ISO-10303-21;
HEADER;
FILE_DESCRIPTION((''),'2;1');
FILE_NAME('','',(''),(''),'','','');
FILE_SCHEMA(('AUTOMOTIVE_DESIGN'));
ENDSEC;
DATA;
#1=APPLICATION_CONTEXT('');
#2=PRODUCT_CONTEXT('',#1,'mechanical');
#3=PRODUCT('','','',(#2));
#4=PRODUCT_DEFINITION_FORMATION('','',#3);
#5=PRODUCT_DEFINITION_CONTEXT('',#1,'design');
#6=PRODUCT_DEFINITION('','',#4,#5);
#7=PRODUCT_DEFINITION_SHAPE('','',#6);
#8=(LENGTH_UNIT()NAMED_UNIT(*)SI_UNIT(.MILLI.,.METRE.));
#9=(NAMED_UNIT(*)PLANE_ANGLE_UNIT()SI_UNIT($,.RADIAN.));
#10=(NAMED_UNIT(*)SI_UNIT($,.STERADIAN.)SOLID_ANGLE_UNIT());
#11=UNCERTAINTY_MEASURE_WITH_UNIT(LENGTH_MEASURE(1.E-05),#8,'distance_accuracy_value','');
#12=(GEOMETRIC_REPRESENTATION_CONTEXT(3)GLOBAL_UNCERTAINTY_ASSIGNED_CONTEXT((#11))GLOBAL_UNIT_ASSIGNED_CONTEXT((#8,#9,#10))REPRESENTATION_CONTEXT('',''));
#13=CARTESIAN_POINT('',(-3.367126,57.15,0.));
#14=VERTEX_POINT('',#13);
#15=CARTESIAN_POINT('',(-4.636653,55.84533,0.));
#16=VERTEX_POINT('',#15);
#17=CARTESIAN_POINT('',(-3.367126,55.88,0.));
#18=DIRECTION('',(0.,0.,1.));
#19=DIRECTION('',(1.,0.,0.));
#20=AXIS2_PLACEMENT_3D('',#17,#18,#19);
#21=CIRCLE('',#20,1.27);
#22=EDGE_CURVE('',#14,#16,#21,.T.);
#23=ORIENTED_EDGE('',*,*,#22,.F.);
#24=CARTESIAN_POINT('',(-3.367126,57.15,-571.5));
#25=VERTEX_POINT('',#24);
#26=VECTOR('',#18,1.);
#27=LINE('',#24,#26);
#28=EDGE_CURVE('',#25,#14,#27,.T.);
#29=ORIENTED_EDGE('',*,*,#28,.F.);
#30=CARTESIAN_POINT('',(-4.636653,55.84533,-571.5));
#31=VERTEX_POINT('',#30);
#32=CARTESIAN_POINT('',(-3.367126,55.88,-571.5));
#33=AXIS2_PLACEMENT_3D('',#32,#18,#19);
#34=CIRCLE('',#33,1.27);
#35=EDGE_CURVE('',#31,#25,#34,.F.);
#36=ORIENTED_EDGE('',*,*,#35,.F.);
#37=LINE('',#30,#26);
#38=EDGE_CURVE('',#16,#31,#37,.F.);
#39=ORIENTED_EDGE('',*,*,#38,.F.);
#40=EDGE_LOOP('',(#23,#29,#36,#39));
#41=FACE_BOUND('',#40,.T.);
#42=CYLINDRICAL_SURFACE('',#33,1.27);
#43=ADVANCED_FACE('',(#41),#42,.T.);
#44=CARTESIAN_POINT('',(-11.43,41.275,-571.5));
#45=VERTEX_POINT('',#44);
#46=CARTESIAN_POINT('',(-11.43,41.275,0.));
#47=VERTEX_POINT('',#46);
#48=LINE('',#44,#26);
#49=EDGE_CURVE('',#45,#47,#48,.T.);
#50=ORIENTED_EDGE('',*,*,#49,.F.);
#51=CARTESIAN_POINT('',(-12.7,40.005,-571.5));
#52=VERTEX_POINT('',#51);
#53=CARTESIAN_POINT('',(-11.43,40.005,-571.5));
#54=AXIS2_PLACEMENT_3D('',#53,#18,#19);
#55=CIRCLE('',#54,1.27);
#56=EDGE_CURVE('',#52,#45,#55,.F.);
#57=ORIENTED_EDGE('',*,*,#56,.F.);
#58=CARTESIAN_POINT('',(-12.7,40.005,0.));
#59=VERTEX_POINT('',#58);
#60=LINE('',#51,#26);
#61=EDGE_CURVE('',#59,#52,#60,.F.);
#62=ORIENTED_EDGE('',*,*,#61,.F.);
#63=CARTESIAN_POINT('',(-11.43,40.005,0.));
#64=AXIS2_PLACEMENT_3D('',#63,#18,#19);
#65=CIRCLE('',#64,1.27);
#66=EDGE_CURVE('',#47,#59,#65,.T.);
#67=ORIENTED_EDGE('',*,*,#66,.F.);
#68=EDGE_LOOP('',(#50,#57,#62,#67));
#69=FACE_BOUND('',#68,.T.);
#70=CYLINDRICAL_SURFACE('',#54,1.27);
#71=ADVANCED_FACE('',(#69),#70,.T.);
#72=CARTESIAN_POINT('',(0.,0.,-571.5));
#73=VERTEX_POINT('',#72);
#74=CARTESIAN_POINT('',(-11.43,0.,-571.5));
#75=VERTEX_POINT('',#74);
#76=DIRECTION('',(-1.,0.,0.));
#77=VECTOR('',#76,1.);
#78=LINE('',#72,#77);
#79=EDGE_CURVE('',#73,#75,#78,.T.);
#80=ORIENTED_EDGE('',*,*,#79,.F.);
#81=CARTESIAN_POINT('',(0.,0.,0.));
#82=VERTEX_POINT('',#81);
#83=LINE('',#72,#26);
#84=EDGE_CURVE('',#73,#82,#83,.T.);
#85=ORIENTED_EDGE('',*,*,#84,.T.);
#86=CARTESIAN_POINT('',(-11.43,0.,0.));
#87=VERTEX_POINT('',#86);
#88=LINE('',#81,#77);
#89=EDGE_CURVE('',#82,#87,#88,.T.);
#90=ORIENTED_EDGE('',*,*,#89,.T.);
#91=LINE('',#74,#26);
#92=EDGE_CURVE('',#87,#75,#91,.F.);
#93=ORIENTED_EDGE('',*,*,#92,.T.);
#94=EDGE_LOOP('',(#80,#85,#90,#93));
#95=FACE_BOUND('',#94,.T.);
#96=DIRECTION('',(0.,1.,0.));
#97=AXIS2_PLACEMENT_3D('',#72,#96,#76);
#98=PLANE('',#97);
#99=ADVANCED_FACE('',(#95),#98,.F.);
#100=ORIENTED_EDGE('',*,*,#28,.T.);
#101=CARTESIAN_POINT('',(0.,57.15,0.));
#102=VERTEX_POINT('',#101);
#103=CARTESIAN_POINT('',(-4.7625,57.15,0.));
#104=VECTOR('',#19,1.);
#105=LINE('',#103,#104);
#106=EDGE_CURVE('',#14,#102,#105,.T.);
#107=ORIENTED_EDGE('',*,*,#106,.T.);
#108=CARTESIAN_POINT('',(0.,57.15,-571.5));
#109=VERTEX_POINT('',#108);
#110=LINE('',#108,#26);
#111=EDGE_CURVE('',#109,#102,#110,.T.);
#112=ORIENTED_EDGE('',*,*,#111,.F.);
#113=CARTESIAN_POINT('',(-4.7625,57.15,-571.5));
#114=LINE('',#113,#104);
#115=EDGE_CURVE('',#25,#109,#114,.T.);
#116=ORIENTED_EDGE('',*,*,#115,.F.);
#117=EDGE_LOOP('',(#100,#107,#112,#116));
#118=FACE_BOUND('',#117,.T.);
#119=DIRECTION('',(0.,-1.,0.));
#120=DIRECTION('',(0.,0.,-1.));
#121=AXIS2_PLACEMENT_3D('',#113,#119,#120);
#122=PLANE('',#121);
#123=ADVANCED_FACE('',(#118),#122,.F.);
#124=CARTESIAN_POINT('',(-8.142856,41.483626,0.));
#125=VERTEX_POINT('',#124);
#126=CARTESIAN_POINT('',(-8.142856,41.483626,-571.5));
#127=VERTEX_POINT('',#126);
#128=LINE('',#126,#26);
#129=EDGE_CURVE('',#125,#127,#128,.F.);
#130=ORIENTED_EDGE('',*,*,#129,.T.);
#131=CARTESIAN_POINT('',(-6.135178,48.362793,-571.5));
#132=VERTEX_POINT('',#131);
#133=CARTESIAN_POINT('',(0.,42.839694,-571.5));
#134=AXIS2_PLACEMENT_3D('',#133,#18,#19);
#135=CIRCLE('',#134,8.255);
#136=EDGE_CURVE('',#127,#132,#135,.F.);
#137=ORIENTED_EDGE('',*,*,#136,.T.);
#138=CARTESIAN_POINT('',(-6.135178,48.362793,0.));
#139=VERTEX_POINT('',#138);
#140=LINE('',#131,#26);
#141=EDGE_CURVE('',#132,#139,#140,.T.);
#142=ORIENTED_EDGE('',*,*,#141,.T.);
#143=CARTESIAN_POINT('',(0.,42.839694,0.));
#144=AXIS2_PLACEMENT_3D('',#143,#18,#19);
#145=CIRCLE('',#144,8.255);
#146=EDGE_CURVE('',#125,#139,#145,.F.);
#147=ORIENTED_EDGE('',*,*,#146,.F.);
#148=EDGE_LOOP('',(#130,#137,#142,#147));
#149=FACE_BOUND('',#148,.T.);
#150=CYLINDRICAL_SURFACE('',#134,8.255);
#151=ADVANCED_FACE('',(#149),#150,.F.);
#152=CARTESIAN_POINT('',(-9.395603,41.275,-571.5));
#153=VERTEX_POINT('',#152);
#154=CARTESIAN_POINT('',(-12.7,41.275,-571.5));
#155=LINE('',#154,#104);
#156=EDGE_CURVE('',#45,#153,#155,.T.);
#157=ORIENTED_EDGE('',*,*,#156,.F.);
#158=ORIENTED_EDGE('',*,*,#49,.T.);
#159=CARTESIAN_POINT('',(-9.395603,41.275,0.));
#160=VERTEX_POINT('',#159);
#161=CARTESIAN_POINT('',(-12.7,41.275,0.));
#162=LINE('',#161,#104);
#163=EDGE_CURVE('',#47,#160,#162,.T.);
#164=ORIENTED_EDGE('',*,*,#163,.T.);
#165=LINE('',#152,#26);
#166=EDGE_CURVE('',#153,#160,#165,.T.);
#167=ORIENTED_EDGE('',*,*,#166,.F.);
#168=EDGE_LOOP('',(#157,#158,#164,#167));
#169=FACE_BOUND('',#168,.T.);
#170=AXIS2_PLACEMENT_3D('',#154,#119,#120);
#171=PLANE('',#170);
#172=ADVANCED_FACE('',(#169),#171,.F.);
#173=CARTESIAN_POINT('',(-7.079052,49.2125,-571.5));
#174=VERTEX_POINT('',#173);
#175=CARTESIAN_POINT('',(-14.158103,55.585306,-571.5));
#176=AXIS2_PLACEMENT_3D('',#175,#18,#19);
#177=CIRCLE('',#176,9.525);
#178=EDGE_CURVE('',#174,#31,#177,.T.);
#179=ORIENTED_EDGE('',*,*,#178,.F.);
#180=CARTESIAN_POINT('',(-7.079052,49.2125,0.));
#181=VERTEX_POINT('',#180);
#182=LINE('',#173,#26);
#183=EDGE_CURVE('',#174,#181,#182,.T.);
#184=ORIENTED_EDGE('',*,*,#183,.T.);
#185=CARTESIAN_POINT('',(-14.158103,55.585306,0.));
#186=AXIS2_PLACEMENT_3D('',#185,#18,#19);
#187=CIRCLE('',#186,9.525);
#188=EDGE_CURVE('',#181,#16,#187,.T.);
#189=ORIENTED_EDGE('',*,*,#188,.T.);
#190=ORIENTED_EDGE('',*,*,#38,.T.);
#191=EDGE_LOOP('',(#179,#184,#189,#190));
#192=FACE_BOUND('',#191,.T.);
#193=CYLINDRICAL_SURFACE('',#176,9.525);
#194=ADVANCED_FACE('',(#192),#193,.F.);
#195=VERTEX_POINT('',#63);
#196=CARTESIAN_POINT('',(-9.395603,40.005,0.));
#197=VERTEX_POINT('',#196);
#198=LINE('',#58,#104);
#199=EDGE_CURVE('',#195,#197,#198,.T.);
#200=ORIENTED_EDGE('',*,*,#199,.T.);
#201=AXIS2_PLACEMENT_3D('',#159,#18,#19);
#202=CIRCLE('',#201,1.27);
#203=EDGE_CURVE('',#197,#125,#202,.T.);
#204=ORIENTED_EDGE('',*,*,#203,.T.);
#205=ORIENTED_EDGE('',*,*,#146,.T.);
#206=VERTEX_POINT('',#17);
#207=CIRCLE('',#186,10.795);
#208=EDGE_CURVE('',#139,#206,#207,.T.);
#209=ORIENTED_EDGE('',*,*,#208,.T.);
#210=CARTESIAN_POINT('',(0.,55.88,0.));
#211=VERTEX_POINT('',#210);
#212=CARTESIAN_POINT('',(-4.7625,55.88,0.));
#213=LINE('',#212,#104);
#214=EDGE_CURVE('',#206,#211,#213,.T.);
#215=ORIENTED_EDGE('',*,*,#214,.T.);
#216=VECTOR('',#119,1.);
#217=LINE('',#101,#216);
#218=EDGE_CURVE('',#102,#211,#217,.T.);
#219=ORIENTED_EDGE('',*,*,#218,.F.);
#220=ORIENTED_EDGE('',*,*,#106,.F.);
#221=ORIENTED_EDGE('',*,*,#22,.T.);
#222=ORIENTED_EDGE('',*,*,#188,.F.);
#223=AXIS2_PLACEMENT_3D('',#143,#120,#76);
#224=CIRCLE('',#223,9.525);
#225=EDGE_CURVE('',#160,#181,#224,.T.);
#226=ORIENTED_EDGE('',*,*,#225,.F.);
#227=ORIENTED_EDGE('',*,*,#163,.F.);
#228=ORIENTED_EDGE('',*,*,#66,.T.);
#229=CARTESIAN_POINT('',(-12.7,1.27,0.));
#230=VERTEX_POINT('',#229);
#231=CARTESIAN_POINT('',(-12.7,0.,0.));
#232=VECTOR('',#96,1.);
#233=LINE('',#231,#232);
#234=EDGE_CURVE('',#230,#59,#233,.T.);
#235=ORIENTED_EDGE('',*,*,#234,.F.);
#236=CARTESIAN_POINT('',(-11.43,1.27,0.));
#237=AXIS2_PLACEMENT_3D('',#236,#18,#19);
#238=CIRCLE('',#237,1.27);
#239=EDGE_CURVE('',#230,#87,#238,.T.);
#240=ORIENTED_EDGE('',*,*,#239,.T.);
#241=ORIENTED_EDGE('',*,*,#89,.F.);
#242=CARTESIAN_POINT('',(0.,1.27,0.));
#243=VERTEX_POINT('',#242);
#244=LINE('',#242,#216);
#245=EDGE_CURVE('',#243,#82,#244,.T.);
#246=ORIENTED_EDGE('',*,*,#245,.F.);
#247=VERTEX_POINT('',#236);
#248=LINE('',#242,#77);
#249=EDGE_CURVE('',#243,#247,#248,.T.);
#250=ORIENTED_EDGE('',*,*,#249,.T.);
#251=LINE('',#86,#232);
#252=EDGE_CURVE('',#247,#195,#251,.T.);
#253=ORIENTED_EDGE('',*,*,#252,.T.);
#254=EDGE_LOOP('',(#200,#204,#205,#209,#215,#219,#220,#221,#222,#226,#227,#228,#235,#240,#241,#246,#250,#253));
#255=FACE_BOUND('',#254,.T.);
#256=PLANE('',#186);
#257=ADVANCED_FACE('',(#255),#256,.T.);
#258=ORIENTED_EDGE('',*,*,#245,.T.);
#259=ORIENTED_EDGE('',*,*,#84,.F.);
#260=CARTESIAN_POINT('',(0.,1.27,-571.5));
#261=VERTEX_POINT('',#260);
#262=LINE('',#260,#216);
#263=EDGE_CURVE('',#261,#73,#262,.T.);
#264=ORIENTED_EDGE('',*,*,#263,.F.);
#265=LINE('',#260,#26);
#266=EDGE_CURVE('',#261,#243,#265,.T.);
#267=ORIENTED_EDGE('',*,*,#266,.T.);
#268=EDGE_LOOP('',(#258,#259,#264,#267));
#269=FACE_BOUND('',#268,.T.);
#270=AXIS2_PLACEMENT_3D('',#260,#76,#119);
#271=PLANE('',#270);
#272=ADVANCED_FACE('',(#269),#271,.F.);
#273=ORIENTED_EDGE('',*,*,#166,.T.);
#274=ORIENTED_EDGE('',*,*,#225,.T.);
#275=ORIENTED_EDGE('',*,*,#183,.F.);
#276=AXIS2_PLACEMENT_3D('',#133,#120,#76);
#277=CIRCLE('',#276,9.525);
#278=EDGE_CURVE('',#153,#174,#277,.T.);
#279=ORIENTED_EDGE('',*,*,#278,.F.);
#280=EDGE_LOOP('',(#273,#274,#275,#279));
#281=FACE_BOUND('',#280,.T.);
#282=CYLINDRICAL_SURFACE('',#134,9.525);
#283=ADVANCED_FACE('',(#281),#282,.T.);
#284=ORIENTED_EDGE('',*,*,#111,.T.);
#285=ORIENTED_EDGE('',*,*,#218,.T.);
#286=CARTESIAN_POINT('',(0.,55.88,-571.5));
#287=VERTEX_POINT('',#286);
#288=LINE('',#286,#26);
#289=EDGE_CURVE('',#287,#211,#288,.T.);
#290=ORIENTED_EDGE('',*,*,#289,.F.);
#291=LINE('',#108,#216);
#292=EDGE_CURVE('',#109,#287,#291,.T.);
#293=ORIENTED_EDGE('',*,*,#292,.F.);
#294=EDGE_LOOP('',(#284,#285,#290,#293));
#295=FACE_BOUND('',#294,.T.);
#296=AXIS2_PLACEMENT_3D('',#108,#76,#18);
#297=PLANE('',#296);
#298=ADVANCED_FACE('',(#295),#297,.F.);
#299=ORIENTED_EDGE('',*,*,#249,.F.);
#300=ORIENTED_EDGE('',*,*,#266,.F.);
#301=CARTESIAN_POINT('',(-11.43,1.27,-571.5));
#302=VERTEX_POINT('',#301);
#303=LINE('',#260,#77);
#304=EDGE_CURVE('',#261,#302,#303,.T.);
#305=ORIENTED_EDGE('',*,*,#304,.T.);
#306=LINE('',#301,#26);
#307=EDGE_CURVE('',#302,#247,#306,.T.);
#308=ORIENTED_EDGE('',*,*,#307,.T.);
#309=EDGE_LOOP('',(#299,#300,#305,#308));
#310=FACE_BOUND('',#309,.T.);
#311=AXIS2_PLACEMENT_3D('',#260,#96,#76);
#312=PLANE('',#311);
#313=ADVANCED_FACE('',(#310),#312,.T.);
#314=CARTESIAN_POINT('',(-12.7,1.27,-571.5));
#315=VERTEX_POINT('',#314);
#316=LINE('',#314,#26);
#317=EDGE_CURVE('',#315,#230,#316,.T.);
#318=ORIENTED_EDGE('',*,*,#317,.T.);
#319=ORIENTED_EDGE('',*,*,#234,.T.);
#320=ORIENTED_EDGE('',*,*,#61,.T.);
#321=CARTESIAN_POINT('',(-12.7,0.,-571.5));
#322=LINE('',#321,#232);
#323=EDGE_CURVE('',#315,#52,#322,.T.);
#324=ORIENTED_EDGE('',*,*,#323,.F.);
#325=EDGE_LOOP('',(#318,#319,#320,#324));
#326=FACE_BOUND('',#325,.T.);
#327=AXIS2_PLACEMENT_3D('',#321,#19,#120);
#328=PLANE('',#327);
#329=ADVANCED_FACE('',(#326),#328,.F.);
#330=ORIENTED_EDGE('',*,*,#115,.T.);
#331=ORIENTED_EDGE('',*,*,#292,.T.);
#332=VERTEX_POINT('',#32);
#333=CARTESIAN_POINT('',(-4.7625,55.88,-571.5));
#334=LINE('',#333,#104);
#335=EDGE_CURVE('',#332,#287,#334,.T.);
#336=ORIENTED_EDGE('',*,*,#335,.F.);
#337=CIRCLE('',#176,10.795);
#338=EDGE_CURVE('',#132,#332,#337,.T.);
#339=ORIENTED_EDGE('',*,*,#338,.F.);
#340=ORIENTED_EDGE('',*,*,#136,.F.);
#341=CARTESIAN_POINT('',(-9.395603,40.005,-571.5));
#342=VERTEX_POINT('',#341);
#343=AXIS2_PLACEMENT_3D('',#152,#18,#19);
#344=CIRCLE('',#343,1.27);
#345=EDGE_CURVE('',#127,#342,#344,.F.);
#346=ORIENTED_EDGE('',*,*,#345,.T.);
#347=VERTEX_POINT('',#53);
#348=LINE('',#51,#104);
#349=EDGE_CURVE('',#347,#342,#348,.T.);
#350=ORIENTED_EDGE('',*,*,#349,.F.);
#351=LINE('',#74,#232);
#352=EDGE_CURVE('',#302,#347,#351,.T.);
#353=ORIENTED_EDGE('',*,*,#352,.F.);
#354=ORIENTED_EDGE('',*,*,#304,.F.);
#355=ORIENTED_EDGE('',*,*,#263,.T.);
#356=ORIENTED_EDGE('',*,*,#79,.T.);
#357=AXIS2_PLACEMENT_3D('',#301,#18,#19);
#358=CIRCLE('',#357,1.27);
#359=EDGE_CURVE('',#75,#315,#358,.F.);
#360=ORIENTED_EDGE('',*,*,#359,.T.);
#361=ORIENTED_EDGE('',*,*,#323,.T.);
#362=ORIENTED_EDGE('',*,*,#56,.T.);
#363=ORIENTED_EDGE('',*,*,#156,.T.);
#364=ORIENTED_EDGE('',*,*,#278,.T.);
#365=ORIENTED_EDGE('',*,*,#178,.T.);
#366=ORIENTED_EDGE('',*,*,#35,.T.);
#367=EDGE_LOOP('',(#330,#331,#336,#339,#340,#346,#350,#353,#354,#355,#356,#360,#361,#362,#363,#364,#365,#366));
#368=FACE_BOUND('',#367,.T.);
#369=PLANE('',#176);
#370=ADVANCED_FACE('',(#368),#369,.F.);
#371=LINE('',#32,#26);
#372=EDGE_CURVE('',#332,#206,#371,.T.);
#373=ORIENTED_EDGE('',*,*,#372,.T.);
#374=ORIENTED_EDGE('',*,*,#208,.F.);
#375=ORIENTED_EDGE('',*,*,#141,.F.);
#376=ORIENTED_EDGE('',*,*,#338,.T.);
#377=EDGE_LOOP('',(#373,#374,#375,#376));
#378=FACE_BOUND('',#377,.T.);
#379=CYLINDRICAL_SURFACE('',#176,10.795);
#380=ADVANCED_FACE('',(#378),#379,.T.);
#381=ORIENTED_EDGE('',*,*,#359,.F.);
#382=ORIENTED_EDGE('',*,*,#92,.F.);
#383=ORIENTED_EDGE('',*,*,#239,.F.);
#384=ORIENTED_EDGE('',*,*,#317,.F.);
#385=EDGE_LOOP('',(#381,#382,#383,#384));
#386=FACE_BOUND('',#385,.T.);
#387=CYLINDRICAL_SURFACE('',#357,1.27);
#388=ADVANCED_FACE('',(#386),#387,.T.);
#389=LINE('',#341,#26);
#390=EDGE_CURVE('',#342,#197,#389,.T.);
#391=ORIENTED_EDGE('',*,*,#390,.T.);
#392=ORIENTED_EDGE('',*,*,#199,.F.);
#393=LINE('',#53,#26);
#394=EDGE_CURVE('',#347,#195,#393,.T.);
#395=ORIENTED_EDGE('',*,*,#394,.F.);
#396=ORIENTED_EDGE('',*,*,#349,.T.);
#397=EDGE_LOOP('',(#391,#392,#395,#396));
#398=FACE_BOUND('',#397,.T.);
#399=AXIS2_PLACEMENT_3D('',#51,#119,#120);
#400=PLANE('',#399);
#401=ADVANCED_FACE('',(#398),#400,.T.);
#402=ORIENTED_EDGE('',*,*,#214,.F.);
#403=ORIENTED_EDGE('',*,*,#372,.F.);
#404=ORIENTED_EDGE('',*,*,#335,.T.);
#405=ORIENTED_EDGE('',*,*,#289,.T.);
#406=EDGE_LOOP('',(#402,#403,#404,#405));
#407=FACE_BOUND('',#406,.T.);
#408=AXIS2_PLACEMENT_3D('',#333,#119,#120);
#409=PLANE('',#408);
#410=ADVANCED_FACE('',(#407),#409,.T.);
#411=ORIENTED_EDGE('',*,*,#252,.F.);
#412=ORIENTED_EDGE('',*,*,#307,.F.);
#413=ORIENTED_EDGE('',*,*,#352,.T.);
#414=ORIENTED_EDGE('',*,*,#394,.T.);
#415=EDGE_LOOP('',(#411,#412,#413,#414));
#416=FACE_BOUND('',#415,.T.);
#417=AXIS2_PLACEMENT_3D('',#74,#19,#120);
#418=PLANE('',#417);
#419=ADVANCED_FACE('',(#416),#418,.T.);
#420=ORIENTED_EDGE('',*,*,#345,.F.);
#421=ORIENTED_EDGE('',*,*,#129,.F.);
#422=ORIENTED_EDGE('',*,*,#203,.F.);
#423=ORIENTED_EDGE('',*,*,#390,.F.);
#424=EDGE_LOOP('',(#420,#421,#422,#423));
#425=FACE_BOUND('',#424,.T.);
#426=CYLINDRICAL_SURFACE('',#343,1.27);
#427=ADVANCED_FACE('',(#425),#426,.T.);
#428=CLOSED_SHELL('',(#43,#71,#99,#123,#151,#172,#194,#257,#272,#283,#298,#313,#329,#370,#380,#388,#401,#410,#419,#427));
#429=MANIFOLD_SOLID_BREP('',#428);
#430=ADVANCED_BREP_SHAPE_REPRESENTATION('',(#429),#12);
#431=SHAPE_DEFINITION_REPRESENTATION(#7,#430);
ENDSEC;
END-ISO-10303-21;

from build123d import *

# Parameters (mm, degrees)
EXTRUDE_THIN1_DEPTH = 571.5
FILLET1_R           = 1.27


with BuildPart() as part:
    # Sketch1 → Extrude-Thin1 (new body)
    with BuildSketch(Plane.XY):
        with BuildLine():
            Line((0, 0), (-12.7, 0))
            Line((-12.7, 0), (-12.7, 41.275))
            Line((-12.7, 41.275), (-9.395603078, 41.275))
            ThreePointArc((-9.395603078, 41.275), (-9.143551703, 45.508230695), (-7.079051539, 49.2125))
            ThreePointArc((-7.079051539, 49.2125), (-5.014551375, 52.916769305), (-4.7625, 57.15))
            Line((-4.7625, 57.15), (0, 57.15))
            Line((0, 57.15), (0, 55.88))
            Line((0, 55.88), (-3.367126275, 55.88))
            ThreePointArc((-3.367126275, 55.88), (-4.028057277, 51.855131977), (-6.135178, 48.362792554))
            ThreePointArc((-6.135178, 48.362792554), (-8.104553119, 44.408529309), (-7.75303386, 40.005))
            Line((-7.75303386, 40.005), (-11.43, 40.005))
            Line((-11.43, 40.005), (-11.43, 1.27))
            Line((-11.43, 1.27), (0, 1.27))
            Line((0, 1.27), (0, 0))
        make_face()
    extrude(amount=-EXTRUDE_THIN1_DEPTH)

    # Fillet1
    fillet1_edges = [part.edges().sort_by_distance(p)[0] for p in [
        (-7.75303386, 40.005, -285.75),
        (-12.7, 0, -285.75),
        (-12.7, 41.275, -285.75),
        (-4.7625, 57.15, -285.75),
    ]]
    fillet(fillet1_edges, radius=FILLET1_R)


solid = part.part
